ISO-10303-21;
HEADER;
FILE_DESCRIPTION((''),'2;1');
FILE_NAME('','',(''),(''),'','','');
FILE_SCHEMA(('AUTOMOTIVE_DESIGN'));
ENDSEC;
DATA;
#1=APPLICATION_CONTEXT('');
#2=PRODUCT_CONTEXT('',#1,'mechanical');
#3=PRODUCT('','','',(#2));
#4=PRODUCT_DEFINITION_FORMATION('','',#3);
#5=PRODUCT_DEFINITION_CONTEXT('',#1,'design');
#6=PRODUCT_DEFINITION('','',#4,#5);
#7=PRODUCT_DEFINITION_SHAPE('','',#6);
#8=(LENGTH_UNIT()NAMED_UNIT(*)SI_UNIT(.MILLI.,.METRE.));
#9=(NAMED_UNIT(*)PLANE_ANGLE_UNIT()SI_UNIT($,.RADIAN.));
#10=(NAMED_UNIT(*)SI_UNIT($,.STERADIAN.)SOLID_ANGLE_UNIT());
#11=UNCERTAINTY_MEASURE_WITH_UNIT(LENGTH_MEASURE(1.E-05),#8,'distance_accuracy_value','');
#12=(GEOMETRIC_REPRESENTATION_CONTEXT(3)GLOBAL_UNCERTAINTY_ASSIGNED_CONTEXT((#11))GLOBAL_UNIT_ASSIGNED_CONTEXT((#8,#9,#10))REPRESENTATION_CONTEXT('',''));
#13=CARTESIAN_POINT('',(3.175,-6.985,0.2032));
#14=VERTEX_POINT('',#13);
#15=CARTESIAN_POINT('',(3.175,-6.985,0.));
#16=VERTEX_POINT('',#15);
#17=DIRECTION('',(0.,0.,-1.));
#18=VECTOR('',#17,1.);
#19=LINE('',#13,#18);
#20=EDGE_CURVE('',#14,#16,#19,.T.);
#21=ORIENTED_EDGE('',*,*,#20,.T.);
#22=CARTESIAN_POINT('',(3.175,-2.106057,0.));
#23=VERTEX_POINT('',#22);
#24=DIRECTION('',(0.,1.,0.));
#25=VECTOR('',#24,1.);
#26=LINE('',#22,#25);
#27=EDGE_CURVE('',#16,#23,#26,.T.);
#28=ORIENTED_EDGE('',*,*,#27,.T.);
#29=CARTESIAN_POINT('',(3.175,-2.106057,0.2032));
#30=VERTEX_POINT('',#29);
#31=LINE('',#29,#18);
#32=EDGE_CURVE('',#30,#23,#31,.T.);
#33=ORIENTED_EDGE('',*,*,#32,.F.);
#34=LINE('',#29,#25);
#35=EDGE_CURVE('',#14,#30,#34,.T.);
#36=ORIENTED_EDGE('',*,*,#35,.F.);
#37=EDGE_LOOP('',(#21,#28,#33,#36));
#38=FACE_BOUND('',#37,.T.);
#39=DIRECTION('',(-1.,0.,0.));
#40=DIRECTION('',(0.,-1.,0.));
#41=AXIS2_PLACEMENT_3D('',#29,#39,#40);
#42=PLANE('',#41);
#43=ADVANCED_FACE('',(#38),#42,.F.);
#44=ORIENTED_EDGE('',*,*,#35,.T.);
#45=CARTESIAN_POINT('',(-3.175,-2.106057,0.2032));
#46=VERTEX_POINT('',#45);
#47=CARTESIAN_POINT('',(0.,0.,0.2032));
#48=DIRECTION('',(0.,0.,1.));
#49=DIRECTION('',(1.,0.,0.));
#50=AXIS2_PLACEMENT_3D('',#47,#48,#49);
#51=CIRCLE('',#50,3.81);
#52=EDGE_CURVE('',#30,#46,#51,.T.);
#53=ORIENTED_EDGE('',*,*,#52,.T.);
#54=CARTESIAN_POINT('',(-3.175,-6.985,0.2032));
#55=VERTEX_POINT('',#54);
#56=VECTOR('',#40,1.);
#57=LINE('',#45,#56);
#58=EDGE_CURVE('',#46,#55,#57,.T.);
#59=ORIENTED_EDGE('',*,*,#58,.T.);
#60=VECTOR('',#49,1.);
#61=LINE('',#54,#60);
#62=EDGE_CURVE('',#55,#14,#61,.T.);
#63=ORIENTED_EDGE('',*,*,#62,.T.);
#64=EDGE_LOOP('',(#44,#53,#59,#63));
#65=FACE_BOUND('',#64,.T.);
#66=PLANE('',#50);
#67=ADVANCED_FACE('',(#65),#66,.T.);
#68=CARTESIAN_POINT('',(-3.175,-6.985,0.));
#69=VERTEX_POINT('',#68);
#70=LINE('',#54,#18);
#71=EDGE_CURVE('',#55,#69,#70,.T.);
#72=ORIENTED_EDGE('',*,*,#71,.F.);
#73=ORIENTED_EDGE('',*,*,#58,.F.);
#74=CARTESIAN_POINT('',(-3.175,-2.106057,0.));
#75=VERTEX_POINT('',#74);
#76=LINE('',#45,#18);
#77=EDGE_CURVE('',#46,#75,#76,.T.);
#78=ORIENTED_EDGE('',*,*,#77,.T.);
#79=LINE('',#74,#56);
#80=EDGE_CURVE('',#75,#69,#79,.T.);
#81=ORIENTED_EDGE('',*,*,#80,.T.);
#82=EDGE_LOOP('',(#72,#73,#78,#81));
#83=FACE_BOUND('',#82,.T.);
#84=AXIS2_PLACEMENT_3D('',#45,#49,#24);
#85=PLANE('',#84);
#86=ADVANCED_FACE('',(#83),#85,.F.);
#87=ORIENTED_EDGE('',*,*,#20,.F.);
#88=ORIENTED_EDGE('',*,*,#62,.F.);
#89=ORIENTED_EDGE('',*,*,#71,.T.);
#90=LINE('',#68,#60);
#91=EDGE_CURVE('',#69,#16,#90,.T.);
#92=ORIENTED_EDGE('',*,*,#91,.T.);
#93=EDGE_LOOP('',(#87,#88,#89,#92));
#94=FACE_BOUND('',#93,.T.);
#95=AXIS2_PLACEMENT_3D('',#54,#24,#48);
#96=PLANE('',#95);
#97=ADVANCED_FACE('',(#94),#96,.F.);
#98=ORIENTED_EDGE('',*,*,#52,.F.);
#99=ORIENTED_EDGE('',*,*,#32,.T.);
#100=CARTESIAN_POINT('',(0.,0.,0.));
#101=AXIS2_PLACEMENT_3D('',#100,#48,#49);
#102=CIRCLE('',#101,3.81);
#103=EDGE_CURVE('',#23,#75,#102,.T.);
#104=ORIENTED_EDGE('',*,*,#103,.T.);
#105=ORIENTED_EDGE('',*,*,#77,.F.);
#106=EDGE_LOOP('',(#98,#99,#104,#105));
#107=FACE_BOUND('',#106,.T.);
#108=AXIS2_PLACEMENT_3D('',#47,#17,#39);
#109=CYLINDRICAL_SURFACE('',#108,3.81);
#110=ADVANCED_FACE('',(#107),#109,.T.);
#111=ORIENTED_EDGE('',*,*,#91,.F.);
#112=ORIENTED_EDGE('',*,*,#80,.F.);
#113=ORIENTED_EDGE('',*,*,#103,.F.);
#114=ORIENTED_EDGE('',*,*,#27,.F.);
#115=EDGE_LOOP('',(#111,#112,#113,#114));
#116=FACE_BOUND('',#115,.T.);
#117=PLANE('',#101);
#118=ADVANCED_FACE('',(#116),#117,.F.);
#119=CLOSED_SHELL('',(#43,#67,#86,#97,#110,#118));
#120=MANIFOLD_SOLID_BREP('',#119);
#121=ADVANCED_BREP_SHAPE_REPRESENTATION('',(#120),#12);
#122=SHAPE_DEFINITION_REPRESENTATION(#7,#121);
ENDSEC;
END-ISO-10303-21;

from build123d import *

# Parameters (mm, degrees)
BOSS_EXTRUDE1_DEPTH = 0.2032


with BuildPart() as part:
    # Sketch1 → Boss-Extrude1 (new body)
    with BuildSketch(Plane.XY):
        with BuildLine():
            Line((-3.175, -2.106056742), (-3.175, -6.985))
            Line((-3.175, -6.985), (3.175, -6.985))
            Line((3.175, -6.985), (3.175, -2.106056742))
            ThreePointArc((3.175, -2.106056742), (0, 3.81), (-3.175, -2.106056742))
        make_face()
    extrude(amount=BOSS_EXTRUDE1_DEPTH)


solid = part.part
